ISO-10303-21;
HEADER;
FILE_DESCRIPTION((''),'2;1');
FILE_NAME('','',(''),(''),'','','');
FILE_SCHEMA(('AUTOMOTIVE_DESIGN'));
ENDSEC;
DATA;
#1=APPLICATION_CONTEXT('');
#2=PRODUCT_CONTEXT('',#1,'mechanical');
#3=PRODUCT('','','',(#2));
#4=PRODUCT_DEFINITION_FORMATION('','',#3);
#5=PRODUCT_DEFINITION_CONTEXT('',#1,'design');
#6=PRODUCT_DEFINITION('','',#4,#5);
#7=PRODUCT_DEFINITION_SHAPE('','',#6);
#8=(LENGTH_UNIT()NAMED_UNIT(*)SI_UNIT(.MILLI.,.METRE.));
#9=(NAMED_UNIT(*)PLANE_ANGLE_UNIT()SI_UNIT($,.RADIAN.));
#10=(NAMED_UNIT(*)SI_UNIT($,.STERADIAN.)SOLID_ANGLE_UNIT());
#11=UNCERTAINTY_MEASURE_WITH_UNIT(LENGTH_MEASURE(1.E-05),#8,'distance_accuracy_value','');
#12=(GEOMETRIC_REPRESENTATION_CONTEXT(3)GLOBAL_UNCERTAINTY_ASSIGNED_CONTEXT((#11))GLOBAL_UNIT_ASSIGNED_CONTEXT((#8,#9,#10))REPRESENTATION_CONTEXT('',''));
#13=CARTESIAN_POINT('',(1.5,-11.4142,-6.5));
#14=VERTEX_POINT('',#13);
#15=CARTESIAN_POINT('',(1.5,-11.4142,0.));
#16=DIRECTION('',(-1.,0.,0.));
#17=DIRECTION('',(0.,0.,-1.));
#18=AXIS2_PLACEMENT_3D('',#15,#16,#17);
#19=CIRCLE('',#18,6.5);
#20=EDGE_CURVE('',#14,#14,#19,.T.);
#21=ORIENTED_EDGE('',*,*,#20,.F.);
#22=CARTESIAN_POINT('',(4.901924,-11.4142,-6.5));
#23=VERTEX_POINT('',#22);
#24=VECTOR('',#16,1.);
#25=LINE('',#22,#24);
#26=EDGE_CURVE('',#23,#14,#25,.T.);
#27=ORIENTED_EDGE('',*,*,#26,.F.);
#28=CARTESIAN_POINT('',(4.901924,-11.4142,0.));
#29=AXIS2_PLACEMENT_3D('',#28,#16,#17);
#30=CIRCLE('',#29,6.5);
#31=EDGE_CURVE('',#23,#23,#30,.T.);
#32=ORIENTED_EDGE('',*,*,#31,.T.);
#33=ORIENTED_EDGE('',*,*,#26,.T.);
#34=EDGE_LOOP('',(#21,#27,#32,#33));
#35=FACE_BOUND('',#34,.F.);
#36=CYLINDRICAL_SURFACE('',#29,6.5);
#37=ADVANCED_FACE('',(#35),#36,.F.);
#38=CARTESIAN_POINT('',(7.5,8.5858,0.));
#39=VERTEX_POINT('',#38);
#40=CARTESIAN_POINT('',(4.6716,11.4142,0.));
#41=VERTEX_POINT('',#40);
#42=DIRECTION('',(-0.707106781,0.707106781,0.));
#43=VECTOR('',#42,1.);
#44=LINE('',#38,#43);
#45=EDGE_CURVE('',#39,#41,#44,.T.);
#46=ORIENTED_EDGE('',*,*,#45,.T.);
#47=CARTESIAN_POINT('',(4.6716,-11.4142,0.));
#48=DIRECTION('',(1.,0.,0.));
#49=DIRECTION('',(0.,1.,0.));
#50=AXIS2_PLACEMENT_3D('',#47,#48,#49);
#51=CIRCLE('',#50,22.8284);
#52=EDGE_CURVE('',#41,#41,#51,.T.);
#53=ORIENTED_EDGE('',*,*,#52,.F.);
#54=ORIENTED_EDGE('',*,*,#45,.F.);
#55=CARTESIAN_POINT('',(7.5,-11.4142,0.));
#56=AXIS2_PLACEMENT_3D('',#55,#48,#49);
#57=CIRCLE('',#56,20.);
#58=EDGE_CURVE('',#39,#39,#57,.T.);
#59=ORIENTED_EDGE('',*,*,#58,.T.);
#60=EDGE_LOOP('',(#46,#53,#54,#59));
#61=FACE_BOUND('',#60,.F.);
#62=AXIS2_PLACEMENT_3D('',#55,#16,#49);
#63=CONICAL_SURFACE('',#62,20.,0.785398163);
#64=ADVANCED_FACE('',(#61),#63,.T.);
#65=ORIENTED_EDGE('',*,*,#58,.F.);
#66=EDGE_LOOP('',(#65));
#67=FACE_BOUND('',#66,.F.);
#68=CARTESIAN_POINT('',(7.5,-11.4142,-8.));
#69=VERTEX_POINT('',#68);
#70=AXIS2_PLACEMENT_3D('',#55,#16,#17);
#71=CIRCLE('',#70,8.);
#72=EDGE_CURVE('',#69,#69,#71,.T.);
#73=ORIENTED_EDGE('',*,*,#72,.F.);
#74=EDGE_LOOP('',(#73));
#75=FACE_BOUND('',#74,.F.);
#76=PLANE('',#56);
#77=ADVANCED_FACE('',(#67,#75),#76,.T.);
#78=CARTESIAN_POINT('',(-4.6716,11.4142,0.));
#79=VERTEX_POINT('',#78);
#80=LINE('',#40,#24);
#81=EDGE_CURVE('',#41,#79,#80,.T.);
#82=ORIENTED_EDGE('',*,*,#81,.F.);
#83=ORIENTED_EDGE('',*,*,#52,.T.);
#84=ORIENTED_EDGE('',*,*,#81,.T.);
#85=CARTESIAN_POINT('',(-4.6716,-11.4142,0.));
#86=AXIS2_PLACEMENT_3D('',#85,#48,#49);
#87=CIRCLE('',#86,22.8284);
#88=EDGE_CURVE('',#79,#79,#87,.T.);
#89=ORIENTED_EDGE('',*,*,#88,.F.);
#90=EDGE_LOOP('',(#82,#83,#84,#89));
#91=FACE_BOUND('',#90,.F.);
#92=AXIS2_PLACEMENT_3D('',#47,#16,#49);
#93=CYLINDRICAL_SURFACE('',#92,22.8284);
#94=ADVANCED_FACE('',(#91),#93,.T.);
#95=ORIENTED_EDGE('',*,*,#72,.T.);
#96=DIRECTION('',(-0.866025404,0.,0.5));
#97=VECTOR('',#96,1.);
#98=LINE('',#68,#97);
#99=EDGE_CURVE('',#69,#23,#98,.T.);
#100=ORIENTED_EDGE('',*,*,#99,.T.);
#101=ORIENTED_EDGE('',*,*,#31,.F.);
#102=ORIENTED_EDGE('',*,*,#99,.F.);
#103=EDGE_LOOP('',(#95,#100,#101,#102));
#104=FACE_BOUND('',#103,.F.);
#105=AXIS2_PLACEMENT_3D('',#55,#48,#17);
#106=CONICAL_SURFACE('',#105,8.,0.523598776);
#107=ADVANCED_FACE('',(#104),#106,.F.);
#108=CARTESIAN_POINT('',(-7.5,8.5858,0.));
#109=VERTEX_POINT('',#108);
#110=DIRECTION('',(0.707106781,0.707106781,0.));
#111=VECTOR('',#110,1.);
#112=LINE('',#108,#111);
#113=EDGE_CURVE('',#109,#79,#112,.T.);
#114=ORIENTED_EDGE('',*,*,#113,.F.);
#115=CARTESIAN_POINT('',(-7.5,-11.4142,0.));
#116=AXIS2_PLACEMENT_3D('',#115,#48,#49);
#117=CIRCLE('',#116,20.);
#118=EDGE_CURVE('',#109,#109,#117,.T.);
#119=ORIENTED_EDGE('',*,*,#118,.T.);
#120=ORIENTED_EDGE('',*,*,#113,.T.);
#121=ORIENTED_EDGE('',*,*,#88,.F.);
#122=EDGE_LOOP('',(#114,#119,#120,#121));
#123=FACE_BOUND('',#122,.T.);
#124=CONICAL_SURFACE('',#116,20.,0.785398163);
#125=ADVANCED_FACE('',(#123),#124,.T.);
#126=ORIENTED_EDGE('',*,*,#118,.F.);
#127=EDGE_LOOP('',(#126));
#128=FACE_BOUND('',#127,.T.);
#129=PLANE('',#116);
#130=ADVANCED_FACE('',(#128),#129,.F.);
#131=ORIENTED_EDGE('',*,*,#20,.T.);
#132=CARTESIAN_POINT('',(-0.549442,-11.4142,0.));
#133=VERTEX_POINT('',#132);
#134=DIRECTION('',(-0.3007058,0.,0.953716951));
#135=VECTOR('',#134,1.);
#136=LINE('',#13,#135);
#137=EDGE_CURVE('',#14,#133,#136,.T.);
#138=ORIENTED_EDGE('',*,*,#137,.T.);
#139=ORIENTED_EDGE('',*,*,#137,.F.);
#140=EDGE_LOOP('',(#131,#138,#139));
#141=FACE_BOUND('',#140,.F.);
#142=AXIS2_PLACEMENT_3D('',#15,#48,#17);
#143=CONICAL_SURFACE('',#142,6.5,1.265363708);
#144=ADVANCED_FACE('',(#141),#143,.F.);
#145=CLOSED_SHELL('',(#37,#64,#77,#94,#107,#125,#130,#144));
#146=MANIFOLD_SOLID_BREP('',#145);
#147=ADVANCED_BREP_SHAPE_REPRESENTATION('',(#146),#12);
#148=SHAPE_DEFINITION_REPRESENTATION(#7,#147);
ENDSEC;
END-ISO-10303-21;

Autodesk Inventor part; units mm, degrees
ref_plane "YZ Plane" through (0, 0, 0) normal (1, 0, 0) x (0, 1, 0)
ref_plane "XZ Plane" through (0, 0, 0) normal (0, 1, 0) x (-1, 0, 0)
ref_plane "XY Plane" through (0, 0, 0) normal (0, 0, 1) x (1, 0, 0)
sketch "Эскиз1" plane through (-7.5, -11.4142, 0) normal (0, 0, 1) x (1, 0, 0)
  line L0 (0, 0) -> (0, 20)
  line L1 (0, 20) -> (2.8284, 22.8284)
  line L2 (0, 0) -> (15, 0)
  line L3 (15, 0) -> (15, 20)
  line L4 (15, 20) -> (12.1716, 22.8284)
  line L5 (12.1716, 22.8284) -> (2.8284, 22.8284)
  dimension "d5" = 20
  dimension "d4" = 4
  dimension "d3" = 135
  dimension "d2" = 15
  dimension "d1" = 4
  dimension "d0" = 135
revolve "Вращение1" add sketch "Эскиз1" angle 360 about axis through (-7.5, -11.4142, 0) along (1, 0, 0)
sketch "Эскиз2" plane through (7.5, -11.4142, 0) normal (1, 0, 0) x (0, 0, -1)
  circle A0 centre (0, 0) radius 20 construction
  point P0 (0, 11.4142)
hole "Отверстие1" at (7.5, -11.4142, 0) direction (-1, 0, 0) diameter 13 depth 6 tip angle 145 countersink diameter 16 countersink angle 60
properties part number "711131"
